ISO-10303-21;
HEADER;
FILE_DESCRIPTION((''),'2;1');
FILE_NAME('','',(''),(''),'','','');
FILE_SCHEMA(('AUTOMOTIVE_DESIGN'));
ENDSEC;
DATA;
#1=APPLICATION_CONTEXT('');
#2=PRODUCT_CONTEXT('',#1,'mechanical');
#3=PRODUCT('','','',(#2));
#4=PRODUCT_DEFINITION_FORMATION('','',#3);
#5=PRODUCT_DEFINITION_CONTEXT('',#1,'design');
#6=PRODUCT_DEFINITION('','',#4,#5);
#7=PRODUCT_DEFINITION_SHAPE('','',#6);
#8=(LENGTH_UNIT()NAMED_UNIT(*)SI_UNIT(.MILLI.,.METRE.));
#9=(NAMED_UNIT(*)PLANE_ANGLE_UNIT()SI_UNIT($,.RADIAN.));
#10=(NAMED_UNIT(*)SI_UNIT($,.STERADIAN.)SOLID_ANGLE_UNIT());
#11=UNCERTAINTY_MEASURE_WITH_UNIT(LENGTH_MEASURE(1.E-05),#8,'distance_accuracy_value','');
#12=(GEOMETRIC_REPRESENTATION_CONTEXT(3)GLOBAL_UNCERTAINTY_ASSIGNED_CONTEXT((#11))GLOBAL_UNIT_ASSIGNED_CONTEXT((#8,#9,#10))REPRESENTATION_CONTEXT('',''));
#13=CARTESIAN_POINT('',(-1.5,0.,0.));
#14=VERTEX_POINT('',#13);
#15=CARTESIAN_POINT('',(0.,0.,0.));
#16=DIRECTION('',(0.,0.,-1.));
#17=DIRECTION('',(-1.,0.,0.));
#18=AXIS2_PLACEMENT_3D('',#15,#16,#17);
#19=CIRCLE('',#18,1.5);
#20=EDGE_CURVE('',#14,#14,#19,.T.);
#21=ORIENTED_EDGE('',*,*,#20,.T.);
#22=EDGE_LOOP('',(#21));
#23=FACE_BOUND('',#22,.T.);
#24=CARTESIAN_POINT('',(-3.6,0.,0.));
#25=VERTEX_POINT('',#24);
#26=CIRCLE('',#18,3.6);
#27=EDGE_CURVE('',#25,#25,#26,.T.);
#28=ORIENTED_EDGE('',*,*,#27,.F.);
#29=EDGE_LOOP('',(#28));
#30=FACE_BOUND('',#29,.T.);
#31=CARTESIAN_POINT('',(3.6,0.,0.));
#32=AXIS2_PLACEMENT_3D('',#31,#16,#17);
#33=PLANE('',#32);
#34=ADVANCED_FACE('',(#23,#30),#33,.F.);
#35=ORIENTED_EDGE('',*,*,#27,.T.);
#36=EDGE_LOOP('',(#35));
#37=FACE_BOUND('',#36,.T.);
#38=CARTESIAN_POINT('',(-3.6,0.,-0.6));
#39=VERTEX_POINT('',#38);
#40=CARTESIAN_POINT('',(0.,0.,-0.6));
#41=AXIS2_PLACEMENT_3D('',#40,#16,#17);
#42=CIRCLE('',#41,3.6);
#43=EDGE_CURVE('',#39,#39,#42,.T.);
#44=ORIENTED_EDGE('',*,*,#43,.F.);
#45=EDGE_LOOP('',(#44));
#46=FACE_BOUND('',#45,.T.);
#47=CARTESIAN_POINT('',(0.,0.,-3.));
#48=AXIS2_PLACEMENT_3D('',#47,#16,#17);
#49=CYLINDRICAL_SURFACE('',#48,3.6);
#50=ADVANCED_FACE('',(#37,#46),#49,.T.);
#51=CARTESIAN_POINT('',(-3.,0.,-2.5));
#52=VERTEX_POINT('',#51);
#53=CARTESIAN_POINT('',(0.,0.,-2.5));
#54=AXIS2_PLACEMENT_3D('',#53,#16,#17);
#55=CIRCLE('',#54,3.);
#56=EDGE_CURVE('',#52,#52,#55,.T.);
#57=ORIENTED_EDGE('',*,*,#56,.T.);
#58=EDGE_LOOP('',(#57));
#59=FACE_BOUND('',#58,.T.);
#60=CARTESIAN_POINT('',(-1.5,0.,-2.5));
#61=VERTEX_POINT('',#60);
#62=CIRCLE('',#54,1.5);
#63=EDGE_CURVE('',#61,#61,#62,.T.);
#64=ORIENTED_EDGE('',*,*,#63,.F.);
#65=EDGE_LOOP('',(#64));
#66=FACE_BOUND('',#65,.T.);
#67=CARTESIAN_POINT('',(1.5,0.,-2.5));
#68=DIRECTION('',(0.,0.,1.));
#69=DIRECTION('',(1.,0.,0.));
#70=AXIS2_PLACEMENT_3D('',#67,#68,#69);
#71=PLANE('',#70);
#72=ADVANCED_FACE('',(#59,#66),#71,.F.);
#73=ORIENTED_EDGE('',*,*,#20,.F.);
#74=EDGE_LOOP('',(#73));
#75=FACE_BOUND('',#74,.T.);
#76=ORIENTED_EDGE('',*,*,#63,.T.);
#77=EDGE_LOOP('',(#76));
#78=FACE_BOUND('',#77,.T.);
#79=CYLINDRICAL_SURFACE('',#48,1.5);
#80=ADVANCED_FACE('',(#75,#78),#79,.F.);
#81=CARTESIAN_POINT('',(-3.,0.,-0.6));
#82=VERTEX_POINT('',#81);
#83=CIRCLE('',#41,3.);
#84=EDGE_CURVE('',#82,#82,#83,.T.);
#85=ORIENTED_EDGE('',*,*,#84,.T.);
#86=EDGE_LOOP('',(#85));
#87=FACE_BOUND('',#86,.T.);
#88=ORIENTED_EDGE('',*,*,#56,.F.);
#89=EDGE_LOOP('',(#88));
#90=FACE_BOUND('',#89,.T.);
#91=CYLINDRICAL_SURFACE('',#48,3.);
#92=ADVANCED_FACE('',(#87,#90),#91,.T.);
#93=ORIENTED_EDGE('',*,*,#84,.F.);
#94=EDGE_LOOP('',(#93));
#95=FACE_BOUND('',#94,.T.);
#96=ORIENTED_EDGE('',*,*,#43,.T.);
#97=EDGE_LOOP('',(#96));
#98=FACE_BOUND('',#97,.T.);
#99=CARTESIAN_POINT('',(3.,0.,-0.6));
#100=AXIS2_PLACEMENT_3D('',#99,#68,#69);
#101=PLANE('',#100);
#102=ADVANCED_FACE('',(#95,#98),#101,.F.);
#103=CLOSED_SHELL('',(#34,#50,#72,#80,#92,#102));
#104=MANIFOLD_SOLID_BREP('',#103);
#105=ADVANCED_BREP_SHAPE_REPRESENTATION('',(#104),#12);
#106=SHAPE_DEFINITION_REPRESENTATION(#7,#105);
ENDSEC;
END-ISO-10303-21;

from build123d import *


with BuildPart() as part:
    # 草图1 → 旋转1 (revolve)
    with BuildSketch(Plane(origin=(0, 0, 0), x_dir=(1, 0, 0), z_dir=(0, 1, 0)), mode=Mode.PRIVATE) as revolve_1_sk:
        Polygon((1.5, 0), (1.5, 2.5), (3, 2.5), (3, 0.6), (3.6, 0.6), (3.6, 0), align=None)
    revolve(revolve_1_sk.sketch.rotate(Axis((0, 0, -3), (0, 0, 1)), 180), axis=Axis((0, 0, -3), (0, 0, 1)))


solid = part.part
